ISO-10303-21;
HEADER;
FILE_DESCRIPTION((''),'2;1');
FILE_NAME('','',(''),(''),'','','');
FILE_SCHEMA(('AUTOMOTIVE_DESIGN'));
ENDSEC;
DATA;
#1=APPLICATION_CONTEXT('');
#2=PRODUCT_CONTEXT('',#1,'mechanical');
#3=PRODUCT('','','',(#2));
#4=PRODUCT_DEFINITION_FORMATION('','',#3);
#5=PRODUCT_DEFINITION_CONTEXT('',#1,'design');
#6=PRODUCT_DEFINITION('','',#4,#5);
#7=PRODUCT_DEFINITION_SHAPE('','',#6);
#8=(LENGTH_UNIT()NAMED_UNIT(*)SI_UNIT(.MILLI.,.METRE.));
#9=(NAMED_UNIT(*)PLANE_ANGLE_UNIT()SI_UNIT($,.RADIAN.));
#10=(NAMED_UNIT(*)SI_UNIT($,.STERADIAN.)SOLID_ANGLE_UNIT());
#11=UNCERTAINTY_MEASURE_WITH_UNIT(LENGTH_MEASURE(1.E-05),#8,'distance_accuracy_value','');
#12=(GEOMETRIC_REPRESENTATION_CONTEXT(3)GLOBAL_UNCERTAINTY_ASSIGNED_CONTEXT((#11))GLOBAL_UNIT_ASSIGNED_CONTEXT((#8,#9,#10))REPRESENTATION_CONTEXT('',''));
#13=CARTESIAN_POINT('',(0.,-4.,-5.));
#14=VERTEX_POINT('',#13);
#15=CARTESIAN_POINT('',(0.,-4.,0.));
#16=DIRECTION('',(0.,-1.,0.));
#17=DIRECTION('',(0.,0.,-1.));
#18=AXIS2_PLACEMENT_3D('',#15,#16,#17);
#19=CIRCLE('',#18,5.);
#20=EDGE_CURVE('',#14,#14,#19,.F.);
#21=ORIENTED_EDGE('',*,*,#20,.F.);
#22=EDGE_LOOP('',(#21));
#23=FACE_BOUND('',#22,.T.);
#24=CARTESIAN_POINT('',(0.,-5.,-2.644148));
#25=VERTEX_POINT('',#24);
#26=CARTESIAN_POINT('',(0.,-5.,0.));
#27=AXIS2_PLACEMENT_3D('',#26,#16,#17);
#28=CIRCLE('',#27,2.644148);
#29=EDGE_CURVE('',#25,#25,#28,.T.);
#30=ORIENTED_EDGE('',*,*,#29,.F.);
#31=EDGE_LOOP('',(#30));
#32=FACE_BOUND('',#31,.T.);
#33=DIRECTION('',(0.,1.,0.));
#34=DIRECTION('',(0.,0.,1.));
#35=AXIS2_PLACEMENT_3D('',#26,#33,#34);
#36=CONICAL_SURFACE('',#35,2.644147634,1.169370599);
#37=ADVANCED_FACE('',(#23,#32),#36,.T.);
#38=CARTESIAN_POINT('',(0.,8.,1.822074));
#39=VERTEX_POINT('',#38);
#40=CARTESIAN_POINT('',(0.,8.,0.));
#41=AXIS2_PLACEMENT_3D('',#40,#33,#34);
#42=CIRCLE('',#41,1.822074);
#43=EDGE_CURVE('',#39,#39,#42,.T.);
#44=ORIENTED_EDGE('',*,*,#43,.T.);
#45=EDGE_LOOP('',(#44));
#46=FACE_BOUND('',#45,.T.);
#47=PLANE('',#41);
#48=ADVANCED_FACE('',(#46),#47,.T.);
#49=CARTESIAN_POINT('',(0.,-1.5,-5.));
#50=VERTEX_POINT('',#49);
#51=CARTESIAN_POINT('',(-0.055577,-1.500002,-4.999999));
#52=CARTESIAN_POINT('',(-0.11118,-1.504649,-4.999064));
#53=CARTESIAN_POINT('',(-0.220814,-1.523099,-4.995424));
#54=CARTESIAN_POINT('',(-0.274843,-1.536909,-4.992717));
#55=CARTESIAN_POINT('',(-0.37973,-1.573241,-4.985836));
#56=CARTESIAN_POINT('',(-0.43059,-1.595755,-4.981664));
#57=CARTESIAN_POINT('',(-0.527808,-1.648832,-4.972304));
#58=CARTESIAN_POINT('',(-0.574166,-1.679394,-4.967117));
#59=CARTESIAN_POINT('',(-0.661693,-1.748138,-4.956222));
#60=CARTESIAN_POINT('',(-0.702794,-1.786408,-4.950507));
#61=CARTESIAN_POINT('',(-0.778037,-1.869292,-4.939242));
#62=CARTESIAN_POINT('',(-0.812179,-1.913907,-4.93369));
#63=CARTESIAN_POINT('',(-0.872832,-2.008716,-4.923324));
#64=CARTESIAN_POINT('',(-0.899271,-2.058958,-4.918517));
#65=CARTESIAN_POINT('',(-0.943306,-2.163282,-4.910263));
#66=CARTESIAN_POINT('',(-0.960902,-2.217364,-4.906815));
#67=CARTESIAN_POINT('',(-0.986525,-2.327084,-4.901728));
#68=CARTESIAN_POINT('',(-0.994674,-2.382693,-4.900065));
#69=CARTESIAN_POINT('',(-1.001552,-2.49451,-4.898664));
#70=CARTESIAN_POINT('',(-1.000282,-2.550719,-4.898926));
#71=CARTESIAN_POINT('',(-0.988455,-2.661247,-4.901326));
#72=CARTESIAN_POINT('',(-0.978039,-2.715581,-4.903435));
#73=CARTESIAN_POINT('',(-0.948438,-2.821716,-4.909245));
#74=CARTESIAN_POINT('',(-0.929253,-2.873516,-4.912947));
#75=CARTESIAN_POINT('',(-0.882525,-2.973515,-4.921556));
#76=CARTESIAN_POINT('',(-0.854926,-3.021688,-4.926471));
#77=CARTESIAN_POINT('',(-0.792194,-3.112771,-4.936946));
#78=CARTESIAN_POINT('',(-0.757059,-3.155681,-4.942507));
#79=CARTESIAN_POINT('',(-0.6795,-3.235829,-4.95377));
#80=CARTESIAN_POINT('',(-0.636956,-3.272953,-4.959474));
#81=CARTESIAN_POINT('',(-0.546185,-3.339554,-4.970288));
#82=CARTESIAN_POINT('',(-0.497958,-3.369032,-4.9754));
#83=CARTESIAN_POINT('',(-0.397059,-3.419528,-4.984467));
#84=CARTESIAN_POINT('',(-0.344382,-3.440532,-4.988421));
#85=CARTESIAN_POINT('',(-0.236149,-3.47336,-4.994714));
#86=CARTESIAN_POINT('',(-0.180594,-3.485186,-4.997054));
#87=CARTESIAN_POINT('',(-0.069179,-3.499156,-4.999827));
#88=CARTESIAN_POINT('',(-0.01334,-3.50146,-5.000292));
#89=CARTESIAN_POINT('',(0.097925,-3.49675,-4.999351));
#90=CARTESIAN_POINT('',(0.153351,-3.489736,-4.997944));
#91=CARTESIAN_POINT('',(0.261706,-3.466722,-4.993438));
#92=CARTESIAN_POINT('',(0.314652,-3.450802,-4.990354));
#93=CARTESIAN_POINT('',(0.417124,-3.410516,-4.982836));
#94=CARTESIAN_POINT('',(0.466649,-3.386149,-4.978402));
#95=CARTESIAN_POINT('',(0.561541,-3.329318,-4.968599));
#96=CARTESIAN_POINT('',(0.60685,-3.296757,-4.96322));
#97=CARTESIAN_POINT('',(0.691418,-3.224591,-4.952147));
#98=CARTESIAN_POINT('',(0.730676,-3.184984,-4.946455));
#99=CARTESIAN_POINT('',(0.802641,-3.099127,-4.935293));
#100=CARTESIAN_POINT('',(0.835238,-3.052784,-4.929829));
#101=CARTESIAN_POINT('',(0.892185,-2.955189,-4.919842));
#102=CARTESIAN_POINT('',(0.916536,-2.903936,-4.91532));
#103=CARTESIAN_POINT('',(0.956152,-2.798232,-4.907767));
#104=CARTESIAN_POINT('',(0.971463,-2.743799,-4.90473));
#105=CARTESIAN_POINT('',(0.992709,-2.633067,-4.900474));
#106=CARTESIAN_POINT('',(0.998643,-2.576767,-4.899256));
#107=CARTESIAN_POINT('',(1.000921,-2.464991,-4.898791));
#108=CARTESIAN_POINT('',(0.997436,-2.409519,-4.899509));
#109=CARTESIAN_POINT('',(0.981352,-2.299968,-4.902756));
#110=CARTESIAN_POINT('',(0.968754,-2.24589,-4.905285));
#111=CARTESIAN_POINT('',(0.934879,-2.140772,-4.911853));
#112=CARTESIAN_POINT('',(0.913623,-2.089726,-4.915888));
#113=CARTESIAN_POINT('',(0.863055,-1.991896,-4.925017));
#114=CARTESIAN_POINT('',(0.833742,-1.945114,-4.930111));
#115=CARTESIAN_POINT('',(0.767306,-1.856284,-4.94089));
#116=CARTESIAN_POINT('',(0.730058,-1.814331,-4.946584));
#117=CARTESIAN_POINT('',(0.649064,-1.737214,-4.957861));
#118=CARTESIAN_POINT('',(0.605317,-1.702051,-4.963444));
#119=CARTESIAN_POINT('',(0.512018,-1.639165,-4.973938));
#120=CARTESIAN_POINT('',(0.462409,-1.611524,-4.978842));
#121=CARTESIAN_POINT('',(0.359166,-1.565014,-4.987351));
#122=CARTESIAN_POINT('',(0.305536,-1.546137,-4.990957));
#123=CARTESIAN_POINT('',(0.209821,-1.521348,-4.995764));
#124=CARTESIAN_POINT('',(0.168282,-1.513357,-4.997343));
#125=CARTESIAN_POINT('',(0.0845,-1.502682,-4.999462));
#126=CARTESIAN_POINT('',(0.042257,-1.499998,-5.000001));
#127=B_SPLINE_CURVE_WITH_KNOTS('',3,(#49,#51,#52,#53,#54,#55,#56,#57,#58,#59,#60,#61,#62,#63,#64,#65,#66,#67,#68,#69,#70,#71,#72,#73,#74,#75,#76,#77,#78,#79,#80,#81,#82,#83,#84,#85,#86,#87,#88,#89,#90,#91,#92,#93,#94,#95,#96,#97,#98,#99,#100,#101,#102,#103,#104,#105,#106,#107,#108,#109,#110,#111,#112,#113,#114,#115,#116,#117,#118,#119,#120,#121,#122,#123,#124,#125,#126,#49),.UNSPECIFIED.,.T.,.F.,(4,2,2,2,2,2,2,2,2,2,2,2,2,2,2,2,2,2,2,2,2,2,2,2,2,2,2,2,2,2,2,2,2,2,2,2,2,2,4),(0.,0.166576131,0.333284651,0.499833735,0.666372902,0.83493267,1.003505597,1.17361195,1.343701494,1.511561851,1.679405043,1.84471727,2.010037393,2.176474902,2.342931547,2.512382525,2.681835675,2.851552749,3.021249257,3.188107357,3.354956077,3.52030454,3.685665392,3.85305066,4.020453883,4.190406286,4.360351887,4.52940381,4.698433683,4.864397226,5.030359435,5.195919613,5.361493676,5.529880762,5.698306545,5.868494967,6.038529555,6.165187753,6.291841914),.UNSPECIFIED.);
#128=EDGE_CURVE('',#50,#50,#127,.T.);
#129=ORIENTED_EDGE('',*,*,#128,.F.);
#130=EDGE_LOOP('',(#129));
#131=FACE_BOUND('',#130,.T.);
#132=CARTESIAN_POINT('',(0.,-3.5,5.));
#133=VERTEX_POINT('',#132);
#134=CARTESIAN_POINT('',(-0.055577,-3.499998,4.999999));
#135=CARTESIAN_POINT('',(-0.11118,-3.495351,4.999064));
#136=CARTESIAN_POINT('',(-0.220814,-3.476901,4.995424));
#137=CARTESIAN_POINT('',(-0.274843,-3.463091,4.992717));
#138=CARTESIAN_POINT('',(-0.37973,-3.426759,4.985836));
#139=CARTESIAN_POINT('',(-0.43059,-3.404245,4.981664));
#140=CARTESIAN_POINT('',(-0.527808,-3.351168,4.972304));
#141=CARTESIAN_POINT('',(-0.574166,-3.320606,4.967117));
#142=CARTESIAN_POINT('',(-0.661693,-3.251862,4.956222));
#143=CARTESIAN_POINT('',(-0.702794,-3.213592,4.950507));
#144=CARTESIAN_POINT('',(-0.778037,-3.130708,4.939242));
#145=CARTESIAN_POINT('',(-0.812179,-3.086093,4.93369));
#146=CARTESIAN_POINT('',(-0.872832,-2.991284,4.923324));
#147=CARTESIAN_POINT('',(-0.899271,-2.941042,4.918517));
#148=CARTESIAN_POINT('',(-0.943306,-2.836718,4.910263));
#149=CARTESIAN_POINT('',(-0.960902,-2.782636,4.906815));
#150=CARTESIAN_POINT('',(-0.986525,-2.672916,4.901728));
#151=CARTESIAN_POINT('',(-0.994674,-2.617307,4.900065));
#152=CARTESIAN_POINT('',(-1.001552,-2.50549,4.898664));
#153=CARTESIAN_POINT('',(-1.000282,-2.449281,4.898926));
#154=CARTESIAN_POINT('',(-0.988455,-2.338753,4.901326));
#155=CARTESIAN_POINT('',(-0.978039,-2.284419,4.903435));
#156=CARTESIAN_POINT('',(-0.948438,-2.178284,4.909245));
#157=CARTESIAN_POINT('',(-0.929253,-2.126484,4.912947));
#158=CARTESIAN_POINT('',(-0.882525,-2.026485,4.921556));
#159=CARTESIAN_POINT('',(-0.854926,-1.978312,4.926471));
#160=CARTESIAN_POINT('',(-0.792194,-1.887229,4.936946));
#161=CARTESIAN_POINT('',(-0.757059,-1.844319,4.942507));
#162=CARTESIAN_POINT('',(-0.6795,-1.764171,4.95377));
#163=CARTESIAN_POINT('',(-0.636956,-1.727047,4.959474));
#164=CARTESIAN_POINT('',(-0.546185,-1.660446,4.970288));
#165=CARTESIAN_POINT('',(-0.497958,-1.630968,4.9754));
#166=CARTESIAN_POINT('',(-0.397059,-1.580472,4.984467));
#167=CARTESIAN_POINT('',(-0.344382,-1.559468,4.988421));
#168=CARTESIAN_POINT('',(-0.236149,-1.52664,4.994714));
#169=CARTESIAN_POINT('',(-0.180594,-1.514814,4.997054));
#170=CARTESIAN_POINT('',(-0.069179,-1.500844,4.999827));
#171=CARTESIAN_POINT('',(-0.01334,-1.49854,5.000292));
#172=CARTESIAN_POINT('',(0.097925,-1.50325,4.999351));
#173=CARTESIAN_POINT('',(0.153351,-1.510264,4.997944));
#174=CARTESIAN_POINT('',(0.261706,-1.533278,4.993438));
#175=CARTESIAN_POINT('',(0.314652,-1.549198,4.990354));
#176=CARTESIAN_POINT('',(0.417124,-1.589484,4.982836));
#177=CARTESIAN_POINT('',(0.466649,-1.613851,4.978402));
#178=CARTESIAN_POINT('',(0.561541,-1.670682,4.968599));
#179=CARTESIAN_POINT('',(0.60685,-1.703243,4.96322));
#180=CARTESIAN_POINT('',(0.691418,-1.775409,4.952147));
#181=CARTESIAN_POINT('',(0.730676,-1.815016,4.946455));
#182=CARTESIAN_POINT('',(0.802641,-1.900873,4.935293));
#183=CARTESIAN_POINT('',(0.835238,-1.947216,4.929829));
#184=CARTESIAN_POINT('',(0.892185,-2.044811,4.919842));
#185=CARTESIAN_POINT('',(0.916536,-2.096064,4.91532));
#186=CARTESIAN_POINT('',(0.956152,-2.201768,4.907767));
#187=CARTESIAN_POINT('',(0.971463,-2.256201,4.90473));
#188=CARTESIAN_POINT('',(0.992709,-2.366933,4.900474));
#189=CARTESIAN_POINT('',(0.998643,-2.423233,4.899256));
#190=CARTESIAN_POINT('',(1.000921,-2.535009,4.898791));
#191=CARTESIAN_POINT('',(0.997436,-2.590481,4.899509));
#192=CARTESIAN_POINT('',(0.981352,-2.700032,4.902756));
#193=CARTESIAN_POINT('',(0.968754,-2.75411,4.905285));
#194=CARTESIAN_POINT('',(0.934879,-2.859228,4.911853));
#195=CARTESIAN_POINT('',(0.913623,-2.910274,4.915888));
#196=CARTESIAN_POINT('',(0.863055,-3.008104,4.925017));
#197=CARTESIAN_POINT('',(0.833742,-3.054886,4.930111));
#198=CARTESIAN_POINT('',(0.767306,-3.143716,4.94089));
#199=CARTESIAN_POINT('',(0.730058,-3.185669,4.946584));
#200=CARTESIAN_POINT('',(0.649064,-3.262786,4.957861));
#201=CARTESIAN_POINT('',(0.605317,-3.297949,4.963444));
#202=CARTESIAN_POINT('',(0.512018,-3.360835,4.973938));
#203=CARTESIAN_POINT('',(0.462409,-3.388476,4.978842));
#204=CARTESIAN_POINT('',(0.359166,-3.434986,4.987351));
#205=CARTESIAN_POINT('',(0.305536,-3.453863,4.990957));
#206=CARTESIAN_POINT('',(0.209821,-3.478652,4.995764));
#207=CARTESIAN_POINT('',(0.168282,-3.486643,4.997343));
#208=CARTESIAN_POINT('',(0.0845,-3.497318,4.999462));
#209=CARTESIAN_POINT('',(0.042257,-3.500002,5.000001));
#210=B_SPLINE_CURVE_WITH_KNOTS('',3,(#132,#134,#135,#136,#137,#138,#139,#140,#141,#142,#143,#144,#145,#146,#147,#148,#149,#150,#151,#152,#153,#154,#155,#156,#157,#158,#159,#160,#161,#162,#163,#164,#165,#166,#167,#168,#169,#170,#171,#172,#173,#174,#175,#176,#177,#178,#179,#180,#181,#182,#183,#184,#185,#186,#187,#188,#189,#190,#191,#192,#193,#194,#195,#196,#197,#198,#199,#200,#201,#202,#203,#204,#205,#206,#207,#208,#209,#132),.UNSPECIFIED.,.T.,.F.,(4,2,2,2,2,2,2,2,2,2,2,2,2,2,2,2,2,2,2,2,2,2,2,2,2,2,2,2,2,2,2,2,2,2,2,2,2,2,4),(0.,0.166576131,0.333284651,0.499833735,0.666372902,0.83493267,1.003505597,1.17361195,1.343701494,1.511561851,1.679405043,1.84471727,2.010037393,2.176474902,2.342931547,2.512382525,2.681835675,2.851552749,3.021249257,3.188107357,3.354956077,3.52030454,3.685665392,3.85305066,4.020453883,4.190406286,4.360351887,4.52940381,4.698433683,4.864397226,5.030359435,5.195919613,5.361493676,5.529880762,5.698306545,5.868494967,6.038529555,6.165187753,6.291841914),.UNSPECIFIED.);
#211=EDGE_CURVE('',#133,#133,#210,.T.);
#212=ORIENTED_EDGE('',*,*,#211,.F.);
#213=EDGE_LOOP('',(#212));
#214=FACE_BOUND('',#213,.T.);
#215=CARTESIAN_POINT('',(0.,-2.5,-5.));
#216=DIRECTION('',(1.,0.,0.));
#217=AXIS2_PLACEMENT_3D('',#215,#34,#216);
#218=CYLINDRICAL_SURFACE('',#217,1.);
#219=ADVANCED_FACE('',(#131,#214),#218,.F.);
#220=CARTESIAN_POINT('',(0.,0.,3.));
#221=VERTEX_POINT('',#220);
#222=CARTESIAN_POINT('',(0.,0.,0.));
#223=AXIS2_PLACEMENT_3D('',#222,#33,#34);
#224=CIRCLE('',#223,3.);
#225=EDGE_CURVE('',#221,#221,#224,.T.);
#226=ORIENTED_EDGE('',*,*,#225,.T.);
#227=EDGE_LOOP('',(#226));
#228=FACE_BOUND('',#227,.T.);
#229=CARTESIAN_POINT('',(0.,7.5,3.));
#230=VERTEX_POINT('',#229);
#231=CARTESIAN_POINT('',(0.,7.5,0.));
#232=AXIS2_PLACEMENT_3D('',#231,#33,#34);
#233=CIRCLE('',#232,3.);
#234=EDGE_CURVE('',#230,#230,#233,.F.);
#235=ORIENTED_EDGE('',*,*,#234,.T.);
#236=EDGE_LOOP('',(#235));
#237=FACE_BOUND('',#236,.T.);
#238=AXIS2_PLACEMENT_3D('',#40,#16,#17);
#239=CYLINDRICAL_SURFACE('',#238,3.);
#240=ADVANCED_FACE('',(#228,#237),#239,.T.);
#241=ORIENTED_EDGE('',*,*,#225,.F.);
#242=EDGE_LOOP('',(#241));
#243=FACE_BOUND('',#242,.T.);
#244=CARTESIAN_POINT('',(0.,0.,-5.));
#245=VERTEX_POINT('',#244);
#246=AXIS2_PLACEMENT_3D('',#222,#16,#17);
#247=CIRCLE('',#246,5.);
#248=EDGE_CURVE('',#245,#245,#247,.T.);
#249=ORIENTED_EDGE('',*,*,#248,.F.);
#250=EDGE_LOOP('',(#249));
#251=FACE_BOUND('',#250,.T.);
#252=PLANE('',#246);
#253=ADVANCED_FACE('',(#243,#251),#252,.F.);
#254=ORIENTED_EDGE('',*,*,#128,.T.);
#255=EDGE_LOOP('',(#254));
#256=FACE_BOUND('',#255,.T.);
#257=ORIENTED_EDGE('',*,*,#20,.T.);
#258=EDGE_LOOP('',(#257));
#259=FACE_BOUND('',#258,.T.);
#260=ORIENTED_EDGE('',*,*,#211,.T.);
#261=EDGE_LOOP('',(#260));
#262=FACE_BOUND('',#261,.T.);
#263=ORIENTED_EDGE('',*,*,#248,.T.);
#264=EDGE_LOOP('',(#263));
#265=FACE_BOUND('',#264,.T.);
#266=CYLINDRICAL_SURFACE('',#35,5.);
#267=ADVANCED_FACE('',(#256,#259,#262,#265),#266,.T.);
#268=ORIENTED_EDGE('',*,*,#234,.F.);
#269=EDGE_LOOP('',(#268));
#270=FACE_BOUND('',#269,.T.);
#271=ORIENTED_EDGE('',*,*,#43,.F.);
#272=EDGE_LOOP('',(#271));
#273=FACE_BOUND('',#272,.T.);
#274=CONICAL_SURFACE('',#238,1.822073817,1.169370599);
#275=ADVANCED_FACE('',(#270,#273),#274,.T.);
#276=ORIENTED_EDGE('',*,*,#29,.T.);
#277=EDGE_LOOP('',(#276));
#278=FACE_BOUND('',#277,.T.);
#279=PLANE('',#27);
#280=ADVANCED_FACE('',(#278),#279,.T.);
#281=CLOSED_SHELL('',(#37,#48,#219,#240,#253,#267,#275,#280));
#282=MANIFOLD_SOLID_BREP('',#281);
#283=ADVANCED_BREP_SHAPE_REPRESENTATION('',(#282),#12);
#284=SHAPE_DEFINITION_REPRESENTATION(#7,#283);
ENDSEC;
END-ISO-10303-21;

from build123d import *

# Parameters (mm, degrees)
SKETCH1_R               = 3
BOSS_EXTRUDE1_DEPTH     = 8
SKETCH2_R               = 5
BOSS_EXTRUDE2_DEPTH     = 5
CUT_EXTRUDE1_DEPTH      = 11.677078252
CUT_EXTRUDE1_DEPTH_BACK = 11.677078252
SKETCH3_R               = 1
CHAMFER1_SIZE           = 1
CHAMFER1_SIZE2          = 2.355852366
CHAMFER2_SIZE           = 0.5
CHAMFER2_SIZE2          = 1.177926183


with BuildPart() as part:
    # Sketch1 → Boss-Extrude1 (new body)
    with BuildSketch(Plane(origin=(0, 0, 0), x_dir=(1, 0, 0), z_dir=(0, 1, 0))):
        with Locations(Location((0, 0, 0), (0, 0, 270))):
            Circle(SKETCH1_R)
    extrude(amount=BOSS_EXTRUDE1_DEPTH)

    # Sketch2 → Boss-Extrude2 (add)
    with BuildSketch(Plane.XZ):
        with Locations(Location((0, 0, 0), (0, 0, 270))):
            Circle(SKETCH2_R)
    extrude(amount=BOSS_EXTRUDE2_DEPTH)

    # Sketch3 → Cut-Extrude1 (cut, two sides: drawn at the far end of the back side and taken through both)
    with BuildSketch(Plane.XY.offset(-CUT_EXTRUDE1_DEPTH_BACK)):
        with Locations(Location((0, -2.5, 0), (0, 0, 270))):
            Circle(SKETCH3_R)
    extrude(amount=CUT_EXTRUDE1_DEPTH + CUT_EXTRUDE1_DEPTH_BACK, mode=Mode.SUBTRACT)

    # Chamfer1
    chamfer1_edges = [part.edges().sort_by_distance(p)[0] for p in [
        (0, -5, 5),
    ]]
    chamfer1_side = [part.faces().sort_by_distance(p)[0] for p in [
        (0, -2.5, 5),
    ]]
    chamfer(chamfer1_edges, length=CHAMFER1_SIZE, length2=CHAMFER1_SIZE2, reference=chamfer1_side[0])

    # Chamfer2
    chamfer2_edges = [part.edges().sort_by_distance(p)[0] for p in [
        (0, 8, -3),
    ]]
    chamfer2_side = [part.faces().sort_by_distance(p)[0] for p in [
        (0, 4, -3),
    ]]
    chamfer(chamfer2_edges, length=CHAMFER2_SIZE, length2=CHAMFER2_SIZE2, reference=chamfer2_side[0])


solid = part.part
